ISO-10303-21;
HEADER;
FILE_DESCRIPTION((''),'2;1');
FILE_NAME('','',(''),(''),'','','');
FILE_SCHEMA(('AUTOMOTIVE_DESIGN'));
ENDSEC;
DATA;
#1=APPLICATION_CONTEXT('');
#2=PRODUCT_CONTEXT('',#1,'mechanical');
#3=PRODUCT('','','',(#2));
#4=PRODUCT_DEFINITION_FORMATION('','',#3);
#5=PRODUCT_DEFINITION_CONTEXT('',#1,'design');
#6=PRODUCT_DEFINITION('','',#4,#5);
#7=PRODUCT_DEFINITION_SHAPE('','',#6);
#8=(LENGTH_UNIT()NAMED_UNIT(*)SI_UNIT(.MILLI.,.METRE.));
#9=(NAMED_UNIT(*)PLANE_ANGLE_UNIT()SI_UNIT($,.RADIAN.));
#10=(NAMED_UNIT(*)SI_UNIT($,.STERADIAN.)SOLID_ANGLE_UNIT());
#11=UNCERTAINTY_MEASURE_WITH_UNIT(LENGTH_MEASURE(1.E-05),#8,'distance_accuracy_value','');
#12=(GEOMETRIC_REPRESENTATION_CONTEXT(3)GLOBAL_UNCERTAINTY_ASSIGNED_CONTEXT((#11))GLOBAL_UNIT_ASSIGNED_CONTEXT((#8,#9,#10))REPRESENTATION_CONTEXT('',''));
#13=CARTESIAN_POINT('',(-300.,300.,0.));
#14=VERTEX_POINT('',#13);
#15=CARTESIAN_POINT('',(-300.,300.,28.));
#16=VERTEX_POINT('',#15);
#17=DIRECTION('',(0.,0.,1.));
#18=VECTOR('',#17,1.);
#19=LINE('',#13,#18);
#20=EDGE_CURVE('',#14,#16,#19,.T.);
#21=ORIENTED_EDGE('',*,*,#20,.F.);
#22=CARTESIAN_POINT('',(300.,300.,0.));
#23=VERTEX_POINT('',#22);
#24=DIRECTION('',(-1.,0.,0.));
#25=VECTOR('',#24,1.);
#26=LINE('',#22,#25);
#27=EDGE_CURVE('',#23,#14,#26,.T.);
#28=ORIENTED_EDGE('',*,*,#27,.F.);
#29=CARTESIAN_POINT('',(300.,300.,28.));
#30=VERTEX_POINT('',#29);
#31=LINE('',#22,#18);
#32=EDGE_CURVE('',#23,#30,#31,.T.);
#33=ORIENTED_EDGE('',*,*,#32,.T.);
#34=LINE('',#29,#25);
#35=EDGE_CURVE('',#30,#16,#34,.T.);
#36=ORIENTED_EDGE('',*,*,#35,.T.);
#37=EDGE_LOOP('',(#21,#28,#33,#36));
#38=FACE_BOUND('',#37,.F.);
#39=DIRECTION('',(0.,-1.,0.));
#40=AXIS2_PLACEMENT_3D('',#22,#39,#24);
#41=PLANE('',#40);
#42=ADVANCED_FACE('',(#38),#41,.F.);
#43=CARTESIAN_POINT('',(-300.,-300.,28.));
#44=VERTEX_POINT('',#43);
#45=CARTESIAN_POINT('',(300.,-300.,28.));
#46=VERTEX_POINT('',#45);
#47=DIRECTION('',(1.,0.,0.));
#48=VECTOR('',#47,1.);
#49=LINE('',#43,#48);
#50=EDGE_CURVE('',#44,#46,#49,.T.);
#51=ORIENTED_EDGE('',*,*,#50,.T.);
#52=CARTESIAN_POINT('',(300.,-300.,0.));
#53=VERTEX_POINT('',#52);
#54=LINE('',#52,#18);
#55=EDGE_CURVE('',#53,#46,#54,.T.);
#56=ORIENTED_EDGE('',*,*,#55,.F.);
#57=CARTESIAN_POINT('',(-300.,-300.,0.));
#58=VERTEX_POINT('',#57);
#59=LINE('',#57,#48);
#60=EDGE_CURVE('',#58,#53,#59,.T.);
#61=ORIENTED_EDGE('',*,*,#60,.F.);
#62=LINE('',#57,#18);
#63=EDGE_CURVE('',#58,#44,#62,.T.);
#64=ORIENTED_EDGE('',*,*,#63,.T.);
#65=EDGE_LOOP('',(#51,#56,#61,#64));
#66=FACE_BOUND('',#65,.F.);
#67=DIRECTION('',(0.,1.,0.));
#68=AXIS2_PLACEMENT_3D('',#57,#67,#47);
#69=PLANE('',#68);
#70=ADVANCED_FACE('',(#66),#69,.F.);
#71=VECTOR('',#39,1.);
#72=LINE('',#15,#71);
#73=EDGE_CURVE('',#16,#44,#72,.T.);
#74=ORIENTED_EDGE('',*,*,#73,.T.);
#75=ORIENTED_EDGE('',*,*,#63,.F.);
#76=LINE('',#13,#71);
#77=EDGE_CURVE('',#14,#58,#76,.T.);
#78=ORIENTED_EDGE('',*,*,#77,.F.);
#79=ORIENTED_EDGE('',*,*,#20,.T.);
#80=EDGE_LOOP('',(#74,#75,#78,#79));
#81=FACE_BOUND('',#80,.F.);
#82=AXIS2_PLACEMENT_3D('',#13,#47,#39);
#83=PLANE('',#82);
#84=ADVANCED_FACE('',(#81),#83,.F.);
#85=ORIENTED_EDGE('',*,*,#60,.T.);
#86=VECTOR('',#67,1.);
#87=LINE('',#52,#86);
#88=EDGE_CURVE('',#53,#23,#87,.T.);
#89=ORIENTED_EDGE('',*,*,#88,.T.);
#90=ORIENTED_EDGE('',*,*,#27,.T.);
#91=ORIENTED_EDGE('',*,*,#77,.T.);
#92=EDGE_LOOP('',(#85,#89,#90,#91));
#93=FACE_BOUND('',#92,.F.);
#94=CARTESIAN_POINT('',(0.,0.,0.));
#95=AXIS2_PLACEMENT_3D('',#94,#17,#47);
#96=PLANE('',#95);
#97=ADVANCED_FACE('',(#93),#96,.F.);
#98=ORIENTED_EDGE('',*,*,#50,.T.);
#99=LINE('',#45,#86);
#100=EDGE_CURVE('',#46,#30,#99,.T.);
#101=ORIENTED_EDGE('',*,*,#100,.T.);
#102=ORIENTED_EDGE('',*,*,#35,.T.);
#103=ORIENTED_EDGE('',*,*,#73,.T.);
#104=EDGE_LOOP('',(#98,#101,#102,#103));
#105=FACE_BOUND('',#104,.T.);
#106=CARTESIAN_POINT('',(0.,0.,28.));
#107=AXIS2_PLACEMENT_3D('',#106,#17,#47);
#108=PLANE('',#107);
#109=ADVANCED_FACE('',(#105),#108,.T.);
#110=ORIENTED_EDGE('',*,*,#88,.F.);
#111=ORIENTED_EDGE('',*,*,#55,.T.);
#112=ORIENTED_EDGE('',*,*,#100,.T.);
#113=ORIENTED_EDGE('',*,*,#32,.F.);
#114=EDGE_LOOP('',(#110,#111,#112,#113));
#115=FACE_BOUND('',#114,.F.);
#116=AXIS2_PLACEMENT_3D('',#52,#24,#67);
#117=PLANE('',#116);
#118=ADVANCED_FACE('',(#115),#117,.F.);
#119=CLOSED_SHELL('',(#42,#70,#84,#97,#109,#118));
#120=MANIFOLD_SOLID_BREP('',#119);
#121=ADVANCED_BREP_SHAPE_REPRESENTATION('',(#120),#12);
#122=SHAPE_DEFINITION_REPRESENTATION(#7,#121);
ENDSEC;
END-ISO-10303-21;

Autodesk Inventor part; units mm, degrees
ref_plane "YZ Plane" through (0, 0, 0) normal (1, 0, 0) x (0, 1, 0)
ref_plane "XZ Plane" through (0, 0, 0) normal (0, 1, 0) x (-1, 0, 0)
ref_plane "XY Plane" through (0, 0, 0) normal (0, 0, 1) x (1, 0, 0)
sketch "Sketch1" plane through (0, 0, 0) normal (0, 0, 1) x (1, 0, 0)
  line L0 (-300, -300) -> (300, -300)
  line L1 (300, -300) -> (300, 300)
  line L2 (300, 300) -> (-300, 300)
  line L3 (-300, 300) -> (-300, -300)
  line L4 (-300, -300) -> (300, 300) construction
  line L5 (300, -300) -> (-300, 300) construction
  point P0 (0, 0)
  dimension "d0" = 600
  dimension "d1" = 600
extrude "Extrusion1" add sketch "Sketch1" along normal blind 28
properties part number "o_Einlegplatten"
